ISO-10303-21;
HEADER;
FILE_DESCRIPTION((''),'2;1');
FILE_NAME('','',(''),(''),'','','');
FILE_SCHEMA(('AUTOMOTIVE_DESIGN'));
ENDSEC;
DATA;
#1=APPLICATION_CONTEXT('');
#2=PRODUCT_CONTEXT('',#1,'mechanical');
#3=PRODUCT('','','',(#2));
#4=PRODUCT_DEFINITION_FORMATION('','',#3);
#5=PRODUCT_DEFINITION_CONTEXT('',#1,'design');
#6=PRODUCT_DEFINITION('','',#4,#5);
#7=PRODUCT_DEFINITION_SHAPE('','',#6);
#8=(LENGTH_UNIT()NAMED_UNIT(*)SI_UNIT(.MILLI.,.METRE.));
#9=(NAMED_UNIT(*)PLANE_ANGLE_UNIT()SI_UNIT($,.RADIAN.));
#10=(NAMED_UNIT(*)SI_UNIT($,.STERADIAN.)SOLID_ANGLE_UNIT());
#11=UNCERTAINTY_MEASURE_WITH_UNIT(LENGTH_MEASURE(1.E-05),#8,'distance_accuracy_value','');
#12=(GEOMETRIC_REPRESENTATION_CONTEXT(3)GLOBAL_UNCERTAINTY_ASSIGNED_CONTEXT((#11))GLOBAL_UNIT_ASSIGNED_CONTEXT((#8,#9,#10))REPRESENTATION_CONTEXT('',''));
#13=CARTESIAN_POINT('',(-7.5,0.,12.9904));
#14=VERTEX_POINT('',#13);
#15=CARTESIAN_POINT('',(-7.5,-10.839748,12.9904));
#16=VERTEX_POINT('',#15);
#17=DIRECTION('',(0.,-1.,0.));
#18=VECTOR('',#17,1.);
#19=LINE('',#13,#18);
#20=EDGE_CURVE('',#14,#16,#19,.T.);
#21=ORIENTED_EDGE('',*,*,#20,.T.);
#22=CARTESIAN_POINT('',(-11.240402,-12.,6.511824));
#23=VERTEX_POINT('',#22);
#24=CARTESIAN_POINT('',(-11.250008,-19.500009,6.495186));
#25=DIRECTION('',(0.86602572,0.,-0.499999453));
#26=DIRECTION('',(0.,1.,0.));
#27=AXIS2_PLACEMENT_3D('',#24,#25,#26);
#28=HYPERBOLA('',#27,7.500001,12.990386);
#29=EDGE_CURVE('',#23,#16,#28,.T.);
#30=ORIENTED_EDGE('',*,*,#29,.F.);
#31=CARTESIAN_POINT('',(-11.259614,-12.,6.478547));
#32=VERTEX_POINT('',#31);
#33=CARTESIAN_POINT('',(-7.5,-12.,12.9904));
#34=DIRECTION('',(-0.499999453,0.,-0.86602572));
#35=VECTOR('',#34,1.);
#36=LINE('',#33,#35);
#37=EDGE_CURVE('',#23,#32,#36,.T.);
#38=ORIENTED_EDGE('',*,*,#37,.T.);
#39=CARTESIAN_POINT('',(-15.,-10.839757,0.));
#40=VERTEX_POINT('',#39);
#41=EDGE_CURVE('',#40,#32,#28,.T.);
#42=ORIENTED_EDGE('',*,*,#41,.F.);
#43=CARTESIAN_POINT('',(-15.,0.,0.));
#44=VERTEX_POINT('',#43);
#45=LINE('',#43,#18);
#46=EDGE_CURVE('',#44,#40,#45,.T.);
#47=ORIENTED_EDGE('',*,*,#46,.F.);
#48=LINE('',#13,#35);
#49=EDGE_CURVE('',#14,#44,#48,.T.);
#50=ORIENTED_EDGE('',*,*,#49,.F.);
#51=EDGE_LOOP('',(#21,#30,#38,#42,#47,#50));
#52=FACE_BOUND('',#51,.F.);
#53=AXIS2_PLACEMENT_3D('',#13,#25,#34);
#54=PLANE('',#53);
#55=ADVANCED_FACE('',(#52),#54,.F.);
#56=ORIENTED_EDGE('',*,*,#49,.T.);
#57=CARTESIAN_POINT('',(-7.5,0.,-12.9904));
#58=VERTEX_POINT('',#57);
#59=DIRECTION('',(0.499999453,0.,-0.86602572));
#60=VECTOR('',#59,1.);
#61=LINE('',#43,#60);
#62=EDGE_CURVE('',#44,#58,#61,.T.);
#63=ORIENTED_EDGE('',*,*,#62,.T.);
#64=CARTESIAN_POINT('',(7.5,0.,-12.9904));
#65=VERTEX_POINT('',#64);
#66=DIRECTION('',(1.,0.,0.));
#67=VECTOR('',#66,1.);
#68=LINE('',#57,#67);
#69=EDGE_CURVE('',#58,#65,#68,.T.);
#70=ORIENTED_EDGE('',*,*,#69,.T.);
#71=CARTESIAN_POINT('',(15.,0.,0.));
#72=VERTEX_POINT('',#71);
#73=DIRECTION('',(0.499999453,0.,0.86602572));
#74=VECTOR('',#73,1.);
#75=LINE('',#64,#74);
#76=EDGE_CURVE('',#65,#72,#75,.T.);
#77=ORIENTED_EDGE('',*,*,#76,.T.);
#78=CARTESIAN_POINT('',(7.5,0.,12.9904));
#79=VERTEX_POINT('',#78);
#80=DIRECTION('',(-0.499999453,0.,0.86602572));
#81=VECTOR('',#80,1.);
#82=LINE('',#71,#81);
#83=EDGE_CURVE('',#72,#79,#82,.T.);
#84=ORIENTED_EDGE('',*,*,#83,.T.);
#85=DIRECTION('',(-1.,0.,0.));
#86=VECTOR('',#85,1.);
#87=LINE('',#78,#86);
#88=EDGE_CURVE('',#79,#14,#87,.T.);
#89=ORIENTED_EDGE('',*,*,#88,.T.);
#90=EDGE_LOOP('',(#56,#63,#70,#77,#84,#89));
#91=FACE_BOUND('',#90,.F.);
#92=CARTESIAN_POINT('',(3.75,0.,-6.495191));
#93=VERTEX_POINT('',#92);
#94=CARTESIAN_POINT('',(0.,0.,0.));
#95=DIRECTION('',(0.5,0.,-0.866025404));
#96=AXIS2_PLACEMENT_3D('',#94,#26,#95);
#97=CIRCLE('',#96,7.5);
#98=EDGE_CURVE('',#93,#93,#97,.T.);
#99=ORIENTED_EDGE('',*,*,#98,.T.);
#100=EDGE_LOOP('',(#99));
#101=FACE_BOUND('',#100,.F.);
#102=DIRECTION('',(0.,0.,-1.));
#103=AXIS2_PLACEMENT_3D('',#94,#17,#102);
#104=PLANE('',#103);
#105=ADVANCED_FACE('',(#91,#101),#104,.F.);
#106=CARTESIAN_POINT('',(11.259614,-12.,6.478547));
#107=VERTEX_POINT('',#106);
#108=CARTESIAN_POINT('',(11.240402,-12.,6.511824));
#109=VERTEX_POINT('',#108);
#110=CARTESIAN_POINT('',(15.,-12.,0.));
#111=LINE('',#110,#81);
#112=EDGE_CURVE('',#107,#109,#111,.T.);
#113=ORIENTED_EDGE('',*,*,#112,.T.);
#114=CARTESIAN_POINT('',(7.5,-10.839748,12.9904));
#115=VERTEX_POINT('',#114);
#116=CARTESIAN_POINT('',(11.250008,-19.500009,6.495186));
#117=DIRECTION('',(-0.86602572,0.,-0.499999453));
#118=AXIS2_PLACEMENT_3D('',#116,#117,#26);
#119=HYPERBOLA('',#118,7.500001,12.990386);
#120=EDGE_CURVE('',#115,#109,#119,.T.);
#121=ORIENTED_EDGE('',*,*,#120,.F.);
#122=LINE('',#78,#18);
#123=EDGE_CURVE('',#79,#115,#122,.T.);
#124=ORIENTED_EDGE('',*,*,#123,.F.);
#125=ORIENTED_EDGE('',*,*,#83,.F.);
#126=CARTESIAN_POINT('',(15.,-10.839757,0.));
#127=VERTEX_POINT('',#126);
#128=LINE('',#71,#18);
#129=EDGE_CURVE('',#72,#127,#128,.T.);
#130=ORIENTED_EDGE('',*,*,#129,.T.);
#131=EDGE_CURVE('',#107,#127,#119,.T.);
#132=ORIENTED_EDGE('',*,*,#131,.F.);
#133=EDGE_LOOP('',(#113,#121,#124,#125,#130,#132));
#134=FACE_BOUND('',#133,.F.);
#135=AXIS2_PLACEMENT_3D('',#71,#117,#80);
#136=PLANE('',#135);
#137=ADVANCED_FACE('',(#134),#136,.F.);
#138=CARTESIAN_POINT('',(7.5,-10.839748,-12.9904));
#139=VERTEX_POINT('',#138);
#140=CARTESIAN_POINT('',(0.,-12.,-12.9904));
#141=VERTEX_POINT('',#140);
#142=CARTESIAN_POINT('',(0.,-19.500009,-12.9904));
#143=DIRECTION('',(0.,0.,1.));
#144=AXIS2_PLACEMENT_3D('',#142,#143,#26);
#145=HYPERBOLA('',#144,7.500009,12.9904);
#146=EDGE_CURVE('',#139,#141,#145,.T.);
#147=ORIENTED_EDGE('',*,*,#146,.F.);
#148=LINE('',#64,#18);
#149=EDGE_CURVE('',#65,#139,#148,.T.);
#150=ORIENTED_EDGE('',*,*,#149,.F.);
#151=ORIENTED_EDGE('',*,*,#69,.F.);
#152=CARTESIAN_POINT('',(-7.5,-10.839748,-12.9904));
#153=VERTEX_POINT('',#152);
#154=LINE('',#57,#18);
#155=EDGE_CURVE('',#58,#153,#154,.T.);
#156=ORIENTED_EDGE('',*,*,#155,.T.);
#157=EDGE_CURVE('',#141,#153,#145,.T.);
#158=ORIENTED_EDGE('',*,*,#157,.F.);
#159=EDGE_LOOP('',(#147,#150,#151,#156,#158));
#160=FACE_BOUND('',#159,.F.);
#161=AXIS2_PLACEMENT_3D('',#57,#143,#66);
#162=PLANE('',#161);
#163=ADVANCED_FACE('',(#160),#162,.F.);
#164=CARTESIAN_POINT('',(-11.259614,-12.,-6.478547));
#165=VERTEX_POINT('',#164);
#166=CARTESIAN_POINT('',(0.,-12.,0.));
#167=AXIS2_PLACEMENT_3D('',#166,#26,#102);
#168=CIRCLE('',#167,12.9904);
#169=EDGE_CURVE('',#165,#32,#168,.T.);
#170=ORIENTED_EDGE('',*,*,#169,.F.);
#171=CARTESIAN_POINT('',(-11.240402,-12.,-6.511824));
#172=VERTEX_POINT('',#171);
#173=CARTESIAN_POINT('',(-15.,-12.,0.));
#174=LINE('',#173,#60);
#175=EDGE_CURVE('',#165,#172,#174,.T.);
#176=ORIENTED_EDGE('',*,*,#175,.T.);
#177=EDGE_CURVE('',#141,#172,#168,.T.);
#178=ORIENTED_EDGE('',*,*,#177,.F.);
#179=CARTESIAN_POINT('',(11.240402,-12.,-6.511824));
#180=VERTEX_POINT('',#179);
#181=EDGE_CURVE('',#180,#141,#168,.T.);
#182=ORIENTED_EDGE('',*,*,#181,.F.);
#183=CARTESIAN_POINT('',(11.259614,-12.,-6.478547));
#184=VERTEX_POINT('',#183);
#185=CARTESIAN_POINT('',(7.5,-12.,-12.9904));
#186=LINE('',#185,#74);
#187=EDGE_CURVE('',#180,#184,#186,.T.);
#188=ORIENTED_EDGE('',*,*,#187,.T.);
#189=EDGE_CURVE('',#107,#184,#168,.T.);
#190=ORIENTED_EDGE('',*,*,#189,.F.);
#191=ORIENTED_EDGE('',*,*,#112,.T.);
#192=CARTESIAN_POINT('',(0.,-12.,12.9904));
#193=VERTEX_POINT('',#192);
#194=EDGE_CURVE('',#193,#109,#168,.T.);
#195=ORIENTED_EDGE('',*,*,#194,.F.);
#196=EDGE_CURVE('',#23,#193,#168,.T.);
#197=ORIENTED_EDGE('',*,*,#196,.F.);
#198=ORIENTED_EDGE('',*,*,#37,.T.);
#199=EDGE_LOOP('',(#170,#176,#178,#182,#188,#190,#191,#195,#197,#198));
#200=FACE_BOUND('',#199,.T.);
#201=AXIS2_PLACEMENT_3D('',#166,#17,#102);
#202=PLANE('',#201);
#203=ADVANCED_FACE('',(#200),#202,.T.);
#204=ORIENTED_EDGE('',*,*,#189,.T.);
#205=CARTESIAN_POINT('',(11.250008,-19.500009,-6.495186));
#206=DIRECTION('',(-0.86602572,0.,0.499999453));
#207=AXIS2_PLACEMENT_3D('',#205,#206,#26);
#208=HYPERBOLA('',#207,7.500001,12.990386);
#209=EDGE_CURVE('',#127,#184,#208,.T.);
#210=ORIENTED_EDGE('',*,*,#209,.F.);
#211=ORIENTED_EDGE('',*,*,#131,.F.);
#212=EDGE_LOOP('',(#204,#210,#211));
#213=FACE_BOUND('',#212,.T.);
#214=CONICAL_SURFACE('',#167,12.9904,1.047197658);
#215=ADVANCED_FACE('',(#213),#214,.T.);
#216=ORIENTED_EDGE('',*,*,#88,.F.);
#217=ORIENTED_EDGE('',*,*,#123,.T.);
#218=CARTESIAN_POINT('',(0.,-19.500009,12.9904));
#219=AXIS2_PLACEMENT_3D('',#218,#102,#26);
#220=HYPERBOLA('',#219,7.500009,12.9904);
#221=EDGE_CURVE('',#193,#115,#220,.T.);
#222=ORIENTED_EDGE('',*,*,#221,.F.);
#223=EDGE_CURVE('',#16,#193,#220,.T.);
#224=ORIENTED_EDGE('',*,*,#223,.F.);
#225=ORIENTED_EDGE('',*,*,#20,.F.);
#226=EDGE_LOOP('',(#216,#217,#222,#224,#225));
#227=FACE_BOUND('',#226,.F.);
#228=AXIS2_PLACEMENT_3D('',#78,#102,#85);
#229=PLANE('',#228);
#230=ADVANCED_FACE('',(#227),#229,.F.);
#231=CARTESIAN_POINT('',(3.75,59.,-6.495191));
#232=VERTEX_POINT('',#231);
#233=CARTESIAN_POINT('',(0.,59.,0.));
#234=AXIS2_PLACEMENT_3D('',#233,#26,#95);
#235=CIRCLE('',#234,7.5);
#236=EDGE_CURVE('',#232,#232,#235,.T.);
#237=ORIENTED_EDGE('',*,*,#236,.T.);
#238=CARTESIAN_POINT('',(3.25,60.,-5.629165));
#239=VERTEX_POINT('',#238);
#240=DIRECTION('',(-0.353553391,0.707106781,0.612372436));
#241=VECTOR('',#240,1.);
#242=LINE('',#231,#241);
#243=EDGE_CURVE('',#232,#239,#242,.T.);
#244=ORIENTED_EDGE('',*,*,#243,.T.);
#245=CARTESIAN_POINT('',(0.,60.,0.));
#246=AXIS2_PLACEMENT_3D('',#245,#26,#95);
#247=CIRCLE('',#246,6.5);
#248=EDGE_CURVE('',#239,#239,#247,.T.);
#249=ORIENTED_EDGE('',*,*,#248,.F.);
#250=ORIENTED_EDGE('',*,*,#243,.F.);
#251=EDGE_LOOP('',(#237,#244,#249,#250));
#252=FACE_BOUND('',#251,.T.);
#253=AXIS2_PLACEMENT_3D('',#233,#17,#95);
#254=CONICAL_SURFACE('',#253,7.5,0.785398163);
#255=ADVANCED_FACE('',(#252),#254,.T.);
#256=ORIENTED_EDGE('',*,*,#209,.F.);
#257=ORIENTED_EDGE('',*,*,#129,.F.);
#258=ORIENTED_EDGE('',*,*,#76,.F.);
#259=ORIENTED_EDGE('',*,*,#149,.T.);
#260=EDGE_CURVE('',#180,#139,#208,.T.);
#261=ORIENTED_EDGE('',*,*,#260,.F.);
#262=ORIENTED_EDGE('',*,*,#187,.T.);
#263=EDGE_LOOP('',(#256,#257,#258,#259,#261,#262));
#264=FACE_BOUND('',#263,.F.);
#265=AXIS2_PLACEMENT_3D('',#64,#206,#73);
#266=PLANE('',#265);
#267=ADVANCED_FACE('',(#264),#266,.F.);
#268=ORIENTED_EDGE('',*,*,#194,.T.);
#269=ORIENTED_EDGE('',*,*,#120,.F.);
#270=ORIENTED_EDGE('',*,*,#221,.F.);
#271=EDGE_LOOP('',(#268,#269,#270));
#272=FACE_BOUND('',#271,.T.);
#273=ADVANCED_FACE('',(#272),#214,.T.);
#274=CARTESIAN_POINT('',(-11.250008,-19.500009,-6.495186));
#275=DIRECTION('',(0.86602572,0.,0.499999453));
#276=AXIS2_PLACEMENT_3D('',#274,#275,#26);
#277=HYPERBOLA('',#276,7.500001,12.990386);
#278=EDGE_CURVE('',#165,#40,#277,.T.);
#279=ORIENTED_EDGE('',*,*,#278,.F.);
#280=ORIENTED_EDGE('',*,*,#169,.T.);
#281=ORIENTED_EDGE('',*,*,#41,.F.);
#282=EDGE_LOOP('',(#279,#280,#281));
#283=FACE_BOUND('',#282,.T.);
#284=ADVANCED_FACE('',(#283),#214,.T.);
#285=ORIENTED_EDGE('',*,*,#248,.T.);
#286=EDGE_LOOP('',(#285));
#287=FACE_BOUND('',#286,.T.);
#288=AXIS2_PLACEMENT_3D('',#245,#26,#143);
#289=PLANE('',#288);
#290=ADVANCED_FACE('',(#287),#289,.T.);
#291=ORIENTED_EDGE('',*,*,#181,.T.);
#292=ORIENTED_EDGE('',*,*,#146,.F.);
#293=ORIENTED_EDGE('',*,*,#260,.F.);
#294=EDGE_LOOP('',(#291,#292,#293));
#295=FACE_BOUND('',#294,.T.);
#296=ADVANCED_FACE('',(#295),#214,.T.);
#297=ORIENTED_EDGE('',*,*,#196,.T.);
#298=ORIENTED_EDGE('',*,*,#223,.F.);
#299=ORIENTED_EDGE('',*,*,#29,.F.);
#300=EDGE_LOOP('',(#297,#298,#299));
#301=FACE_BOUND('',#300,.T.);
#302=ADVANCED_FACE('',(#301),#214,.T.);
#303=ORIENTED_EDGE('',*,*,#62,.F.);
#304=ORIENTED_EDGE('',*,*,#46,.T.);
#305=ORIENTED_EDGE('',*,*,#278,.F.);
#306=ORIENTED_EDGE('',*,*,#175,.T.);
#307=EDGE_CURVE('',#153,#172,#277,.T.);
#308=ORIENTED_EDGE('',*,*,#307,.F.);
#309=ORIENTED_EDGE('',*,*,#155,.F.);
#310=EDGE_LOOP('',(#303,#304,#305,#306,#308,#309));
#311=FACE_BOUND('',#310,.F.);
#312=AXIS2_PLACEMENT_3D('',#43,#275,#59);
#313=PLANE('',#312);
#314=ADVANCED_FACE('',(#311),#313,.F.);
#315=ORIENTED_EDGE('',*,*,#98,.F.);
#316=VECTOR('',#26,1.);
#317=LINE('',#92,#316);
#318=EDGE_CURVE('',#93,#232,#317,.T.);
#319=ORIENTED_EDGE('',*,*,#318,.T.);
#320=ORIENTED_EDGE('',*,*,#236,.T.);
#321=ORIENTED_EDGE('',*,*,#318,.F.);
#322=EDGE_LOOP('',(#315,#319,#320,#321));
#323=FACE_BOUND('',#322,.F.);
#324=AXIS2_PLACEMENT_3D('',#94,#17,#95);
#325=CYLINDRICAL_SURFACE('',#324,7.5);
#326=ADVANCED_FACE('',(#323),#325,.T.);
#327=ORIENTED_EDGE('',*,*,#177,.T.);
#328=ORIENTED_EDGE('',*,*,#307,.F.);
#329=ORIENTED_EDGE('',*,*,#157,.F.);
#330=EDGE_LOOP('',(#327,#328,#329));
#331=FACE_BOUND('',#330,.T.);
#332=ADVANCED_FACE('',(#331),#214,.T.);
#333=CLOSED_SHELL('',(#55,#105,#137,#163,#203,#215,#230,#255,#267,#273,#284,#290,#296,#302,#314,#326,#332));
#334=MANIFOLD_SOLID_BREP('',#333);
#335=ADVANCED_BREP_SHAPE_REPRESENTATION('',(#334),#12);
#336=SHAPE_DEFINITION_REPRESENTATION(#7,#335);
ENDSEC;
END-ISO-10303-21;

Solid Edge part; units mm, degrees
sketch "Sketch1" plane through (0, 0, 0) normal (0, -1, 0) x (1, 0, 0)
  line L0 (-7.5, -12.9904) -> (7.5, -12.9904)
  line L1 (7.5, -12.9904) -> (15, 0)
  line L2 (15, 0) -> (7.5, 12.9904)
  line L3 (7.5, 12.9904) -> (-7.5, 12.9904)
  line L4 (-7.5, 12.9904) -> (-15, 0)
  line L5 (-15, 0) -> (-7.5, -12.9904)
extrude "Protrusion1" add sketch "Sketch1" along normal blind 12
sketch "Sketch2" plane through (0, 0, 0) normal (0, 1, 0) x (0.5, 0, -0.866)
  circle A0 centre (0, 0) radius 7.5
extrude "ExtrudedProtrusion_2" add sketch "Sketch2" along normal blind 60
chamfer "Chamfer_1" distance 1 angle 45 1 edges at (-3.75, 60, 6.4952)
sketch "Sketch3" plane through (0, 0, 0) normal (1, 0, 0) x (0, 1, 0)
  line L0 (-12, -12.9904) -> (1.6235, -36.587)
revolve "RevolvedCutout1" cut sketch "Sketch3" angle 360 about axis through (0, -60, 0) along (0, 1, 0) material side at (0, -5.2316, -24.8137)
cosmetic_thread "Thread_2" size "M15" thread depth 30
properties part number "4" material "Fe - 410 W"
